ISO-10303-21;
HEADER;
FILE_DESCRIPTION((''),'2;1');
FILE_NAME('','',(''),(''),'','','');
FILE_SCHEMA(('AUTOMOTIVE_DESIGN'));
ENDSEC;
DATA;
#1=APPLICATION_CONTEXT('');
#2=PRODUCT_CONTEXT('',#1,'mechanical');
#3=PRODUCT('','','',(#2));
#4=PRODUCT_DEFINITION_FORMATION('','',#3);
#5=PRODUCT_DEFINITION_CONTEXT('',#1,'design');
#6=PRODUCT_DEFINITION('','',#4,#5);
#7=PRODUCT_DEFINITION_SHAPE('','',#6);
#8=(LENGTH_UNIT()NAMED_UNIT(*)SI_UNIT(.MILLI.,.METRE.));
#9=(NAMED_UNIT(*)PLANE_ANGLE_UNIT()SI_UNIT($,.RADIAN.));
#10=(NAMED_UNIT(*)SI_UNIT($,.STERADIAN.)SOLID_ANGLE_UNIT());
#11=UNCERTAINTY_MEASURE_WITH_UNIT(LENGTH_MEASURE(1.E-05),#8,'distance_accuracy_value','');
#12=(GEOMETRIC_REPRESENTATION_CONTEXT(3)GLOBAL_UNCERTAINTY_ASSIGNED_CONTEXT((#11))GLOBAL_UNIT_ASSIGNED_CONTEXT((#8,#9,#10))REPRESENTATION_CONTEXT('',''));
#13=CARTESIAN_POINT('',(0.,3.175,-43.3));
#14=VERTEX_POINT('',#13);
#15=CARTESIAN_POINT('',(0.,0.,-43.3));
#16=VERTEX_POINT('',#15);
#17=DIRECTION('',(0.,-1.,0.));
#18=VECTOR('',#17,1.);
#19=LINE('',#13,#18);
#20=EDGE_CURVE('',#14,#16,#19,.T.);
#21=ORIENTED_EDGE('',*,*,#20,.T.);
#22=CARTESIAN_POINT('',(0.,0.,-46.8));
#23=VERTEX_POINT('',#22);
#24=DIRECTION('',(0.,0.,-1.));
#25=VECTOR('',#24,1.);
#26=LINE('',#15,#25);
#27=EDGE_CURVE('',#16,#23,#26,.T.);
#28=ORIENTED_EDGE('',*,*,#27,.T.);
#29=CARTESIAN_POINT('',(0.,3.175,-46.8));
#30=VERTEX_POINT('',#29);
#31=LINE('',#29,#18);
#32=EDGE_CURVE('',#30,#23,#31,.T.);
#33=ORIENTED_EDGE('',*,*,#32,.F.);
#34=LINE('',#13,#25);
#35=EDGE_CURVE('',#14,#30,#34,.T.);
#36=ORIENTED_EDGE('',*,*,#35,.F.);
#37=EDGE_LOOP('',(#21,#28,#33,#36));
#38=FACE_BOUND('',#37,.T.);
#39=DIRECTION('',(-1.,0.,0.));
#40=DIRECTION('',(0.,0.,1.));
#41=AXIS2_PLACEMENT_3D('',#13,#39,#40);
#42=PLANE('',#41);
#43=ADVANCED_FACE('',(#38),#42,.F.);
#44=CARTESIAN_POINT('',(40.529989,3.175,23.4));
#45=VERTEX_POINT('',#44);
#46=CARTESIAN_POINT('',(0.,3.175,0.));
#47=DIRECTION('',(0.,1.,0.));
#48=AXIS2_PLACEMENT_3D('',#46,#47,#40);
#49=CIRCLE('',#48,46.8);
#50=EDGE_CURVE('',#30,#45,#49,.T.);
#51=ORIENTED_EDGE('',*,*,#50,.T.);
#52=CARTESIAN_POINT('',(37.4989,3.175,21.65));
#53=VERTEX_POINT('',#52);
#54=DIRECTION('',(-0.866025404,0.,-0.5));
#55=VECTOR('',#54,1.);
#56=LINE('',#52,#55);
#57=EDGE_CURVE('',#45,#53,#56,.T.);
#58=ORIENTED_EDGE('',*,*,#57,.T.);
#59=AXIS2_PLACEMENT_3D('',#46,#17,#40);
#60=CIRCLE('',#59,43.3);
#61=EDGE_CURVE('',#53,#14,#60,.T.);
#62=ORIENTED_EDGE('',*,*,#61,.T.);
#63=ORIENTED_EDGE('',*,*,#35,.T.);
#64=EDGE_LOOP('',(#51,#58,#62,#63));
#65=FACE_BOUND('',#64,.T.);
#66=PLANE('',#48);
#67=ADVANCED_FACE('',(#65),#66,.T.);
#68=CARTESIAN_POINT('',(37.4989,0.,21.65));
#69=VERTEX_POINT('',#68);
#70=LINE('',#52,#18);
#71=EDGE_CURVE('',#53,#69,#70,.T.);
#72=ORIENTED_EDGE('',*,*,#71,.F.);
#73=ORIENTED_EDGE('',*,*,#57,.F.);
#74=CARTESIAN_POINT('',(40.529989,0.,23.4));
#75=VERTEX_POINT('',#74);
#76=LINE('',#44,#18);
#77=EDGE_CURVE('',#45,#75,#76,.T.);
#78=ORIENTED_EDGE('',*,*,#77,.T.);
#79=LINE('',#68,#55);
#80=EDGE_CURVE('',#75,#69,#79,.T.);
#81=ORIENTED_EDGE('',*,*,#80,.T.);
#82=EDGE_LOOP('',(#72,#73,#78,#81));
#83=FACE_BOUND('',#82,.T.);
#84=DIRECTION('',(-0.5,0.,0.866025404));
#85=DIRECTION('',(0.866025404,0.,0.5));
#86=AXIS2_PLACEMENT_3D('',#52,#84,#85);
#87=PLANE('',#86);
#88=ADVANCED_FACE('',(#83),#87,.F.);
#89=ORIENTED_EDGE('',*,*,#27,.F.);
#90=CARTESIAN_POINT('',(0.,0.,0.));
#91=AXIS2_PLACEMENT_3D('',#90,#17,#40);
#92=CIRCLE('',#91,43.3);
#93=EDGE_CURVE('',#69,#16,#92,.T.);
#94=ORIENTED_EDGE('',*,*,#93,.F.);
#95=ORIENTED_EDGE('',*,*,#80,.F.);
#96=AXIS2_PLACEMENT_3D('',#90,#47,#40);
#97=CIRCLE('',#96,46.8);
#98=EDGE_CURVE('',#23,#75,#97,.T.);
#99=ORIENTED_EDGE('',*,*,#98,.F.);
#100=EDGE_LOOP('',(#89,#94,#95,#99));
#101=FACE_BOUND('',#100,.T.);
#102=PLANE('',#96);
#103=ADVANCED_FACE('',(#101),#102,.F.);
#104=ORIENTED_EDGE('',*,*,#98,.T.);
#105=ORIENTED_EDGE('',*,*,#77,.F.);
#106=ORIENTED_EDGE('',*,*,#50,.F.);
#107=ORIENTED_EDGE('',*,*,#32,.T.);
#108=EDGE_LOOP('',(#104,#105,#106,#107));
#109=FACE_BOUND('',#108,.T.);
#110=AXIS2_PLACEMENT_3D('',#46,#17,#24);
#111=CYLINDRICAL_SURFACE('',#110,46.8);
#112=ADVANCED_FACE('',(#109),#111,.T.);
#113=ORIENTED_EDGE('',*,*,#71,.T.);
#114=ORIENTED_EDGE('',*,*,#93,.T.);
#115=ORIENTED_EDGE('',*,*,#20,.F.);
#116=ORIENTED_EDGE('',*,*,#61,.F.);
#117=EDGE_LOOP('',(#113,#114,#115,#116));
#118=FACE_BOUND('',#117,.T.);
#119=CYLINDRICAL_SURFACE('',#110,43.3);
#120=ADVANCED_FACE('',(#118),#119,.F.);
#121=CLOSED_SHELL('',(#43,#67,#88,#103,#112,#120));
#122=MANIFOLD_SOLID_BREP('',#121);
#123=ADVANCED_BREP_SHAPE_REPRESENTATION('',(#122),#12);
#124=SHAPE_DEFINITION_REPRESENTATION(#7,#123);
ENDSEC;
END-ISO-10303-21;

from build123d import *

# Parameters (mm, degrees)
BOSS_EXTRUDE1_DEPTH = 3.175


with BuildPart() as part:
    # Sketch1 → Boss-Extrude1 (new body)
    with BuildSketch(Plane(origin=(0, 0, 0), x_dir=(1, 0, 0), z_dir=(0, 1, 0))):
        with BuildLine():
            Line((0, 43.3), (0, 46.8))
            ThreePointArc((0, 46.8), (-40.529988897, -23.4), (40.529988897, -23.4))
            Line((40.529988897, -23.4), (37.498899984, -21.65))
            ThreePointArc((37.498899984, -21.65), (-37.498899984, -21.65), (0, 43.3))
        make_face()
    extrude(amount=BOSS_EXTRUDE1_DEPTH)


solid = part.part
